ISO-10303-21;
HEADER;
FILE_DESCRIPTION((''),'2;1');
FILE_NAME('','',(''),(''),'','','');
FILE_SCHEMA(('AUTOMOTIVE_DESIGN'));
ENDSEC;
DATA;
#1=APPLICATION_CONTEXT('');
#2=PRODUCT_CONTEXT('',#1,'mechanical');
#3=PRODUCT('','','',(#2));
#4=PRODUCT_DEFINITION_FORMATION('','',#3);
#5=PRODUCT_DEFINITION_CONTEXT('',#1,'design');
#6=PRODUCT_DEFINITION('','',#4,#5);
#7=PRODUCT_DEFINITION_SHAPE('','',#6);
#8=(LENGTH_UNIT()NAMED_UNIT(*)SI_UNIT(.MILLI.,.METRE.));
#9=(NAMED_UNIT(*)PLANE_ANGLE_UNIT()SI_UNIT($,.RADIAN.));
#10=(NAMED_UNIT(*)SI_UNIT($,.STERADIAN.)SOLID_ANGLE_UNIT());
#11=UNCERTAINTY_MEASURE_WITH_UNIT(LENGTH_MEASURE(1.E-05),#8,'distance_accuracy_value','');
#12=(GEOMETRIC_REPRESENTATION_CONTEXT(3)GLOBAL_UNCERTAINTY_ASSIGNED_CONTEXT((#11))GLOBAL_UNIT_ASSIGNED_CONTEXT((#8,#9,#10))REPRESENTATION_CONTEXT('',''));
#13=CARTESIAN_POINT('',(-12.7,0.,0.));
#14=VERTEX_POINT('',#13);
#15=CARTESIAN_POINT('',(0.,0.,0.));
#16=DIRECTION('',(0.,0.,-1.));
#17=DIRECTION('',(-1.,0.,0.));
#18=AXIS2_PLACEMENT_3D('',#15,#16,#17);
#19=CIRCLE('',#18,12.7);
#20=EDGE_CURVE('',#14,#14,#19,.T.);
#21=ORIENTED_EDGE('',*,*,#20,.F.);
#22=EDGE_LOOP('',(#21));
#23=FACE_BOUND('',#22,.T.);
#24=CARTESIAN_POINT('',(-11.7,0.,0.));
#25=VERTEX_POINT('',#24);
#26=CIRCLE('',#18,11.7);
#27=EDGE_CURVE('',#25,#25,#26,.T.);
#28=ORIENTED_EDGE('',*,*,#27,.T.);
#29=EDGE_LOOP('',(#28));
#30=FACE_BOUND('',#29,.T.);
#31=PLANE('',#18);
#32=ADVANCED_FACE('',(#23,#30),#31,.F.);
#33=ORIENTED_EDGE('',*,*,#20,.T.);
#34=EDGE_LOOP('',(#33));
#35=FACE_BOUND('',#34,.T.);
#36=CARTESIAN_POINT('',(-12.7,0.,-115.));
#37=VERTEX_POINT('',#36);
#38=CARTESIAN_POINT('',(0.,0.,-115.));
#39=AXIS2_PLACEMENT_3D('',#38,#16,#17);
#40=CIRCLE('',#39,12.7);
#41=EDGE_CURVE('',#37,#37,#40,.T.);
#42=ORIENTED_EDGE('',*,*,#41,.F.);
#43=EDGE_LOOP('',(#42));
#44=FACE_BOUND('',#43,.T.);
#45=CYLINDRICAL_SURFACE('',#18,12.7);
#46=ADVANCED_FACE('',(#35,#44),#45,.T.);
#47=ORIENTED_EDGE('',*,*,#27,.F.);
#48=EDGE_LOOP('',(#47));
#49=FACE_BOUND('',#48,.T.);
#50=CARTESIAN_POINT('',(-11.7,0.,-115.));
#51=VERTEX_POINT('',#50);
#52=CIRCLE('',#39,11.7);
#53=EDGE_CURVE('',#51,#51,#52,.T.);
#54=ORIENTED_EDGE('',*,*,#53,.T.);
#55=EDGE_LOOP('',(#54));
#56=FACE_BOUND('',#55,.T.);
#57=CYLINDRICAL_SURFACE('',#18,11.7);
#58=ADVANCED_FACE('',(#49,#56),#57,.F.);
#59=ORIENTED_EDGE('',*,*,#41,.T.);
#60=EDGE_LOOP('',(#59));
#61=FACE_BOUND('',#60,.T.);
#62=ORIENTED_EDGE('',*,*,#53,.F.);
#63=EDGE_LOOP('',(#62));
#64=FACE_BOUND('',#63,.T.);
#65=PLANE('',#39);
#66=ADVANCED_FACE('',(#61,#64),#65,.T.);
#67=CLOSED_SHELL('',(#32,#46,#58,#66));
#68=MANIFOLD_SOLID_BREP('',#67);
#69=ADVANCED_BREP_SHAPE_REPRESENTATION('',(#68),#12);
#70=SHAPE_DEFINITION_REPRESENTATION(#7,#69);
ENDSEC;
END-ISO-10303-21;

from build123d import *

# Parameters (mm, degrees)
SWEEP_THIN_PROFILE_R   = 12.7
SWEEP_THIN_PROFILE_R_2 = 11.7


with BuildPart() as part:
    # Sweep-Thin: sweep along a path in Path
    with BuildLine(Plane(origin=(0, 0, 0), x_dir=(0, 0, -1), z_dir=(1, 0, 0))) as sweep_thin_path:
        Line((0, 0), (115, 0))
    # Sweep-Thin profile (on start of the path) → Sweep-Thin (sweep)
    with BuildSketch(Plane(origin=(0, 0, 0), x_dir=(-1, 0, 0), z_dir=(0, 0, -1))):
        Circle(SWEEP_THIN_PROFILE_R)
        Circle(SWEEP_THIN_PROFILE_R_2, mode=Mode.SUBTRACT)
    sweep(path=sweep_thin_path.line)


solid = part.part
